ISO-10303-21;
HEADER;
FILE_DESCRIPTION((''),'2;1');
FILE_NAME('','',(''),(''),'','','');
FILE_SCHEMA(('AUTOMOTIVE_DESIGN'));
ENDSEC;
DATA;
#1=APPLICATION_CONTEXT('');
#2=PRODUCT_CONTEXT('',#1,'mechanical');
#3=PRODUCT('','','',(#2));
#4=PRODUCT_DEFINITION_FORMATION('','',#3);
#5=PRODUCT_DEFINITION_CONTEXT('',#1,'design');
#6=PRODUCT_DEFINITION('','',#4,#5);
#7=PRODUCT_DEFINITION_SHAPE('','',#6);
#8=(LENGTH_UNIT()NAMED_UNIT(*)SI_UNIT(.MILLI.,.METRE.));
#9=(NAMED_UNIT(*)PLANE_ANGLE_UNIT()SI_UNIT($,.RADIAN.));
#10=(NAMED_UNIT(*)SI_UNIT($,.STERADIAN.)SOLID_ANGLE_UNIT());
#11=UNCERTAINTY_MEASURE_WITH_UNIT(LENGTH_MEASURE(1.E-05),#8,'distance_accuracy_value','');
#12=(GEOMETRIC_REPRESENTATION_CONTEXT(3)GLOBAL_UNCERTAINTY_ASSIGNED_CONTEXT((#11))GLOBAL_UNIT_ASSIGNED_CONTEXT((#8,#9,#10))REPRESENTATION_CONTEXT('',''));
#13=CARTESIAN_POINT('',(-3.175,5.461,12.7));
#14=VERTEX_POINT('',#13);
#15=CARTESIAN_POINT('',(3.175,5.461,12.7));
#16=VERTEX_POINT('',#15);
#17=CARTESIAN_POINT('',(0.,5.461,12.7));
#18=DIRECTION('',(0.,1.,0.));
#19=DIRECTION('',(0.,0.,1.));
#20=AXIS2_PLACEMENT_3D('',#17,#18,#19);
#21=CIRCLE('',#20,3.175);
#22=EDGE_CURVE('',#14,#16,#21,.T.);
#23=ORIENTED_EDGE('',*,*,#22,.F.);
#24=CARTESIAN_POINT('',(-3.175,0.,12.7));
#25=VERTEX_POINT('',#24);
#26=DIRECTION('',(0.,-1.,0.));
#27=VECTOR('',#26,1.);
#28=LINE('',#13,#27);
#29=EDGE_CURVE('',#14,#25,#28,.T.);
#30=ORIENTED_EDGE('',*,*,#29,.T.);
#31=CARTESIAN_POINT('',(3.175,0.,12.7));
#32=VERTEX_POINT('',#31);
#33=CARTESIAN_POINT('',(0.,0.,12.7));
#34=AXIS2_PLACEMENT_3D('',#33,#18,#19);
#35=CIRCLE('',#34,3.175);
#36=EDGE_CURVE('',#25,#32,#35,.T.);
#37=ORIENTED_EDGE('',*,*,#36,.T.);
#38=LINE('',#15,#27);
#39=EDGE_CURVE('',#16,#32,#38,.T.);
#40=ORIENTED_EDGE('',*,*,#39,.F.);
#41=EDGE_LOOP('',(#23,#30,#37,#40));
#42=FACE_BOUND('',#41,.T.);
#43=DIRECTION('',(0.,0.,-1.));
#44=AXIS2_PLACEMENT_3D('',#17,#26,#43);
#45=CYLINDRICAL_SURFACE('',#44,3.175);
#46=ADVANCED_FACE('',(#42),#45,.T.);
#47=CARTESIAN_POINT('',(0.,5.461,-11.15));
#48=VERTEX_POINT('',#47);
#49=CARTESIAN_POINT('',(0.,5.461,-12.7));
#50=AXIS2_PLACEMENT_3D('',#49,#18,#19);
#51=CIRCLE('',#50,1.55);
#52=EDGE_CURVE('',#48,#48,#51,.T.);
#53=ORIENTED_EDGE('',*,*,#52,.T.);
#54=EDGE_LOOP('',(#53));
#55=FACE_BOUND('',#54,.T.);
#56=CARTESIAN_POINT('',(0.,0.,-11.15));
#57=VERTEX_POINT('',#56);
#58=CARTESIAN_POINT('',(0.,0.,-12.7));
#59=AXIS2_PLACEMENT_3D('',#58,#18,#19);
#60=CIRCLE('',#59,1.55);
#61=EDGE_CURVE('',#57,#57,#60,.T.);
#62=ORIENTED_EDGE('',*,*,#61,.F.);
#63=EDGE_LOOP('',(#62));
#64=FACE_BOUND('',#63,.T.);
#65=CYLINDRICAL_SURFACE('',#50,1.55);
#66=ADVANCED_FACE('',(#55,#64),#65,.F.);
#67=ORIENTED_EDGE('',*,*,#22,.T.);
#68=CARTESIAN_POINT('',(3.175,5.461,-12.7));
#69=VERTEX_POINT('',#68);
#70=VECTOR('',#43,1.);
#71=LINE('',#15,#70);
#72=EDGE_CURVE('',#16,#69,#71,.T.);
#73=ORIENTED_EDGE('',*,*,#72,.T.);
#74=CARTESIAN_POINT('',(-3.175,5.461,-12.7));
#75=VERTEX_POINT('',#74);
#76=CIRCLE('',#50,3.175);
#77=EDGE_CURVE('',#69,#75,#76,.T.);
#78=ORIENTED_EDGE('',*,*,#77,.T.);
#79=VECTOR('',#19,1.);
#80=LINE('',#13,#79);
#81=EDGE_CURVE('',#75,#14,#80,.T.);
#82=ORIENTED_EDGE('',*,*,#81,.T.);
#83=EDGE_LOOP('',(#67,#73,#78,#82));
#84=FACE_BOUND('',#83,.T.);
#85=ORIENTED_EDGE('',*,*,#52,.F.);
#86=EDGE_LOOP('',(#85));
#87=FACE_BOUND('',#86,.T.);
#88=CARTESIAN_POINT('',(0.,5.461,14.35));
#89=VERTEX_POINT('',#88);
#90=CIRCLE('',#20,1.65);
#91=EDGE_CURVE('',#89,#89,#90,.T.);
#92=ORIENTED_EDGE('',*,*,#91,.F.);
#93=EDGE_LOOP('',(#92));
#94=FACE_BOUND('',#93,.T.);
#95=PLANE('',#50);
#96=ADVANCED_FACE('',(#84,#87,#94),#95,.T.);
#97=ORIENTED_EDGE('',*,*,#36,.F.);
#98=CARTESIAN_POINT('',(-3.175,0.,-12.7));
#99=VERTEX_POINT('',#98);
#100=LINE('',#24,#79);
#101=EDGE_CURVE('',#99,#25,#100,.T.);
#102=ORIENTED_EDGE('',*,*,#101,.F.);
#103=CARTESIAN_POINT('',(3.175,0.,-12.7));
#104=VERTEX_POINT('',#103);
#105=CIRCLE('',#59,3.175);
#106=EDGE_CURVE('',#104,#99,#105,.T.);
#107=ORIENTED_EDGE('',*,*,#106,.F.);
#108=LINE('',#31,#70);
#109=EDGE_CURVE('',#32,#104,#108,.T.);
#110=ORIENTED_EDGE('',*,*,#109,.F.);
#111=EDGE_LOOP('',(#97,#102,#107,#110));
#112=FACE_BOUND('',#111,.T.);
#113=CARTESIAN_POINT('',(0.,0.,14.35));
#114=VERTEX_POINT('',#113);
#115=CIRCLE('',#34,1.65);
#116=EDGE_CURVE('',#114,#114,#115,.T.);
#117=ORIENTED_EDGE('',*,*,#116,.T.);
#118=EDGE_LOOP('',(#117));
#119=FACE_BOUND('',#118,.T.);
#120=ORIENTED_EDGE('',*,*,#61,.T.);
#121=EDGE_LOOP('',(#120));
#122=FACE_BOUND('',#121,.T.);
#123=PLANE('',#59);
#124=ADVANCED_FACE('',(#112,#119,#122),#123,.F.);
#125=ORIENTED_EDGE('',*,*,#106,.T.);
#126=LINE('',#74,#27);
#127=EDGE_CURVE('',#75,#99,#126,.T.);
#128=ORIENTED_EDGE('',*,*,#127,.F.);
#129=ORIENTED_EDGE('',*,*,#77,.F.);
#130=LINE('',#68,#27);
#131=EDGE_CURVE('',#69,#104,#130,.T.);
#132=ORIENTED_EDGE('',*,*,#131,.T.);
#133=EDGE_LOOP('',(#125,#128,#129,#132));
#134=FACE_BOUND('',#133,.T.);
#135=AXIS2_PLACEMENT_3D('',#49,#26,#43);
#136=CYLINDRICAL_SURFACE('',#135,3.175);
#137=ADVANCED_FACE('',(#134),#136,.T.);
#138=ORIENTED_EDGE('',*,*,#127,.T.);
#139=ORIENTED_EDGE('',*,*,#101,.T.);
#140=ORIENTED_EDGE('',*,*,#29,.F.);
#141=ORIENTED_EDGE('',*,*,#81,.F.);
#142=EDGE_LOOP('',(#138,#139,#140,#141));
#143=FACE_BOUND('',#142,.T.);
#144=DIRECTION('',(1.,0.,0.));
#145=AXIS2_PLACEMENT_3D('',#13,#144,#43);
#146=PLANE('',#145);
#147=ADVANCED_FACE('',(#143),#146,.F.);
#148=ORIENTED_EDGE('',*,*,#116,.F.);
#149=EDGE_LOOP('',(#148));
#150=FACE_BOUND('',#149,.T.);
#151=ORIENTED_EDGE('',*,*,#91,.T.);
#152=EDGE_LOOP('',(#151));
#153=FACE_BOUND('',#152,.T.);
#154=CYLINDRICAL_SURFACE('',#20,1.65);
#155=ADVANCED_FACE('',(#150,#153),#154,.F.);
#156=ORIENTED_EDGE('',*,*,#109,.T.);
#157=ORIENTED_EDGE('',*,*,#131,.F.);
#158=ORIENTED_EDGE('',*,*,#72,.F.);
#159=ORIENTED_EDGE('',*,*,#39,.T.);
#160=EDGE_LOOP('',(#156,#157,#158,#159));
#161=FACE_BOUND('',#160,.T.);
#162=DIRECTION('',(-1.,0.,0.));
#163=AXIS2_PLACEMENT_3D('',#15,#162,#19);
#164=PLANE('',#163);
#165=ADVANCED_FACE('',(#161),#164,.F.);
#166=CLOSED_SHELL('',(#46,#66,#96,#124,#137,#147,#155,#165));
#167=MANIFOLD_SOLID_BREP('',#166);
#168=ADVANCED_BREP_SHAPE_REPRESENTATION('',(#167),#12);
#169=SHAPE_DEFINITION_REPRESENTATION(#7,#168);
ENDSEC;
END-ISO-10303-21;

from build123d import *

# Parameters (mm, degrees)
BOSS_EXTRUDE1_DEPTH              = 5.461
M3_CLEARANCE_HOLE_CLEARANCE_D    = 3.3
M3_CLEARANCE_HOLE_INTERFERENCE_D = 3.1


with BuildPart() as part:
    # Sketch1 → Boss-Extrude1 (new body)
    with BuildSketch(Plane(origin=(0, 0, 0), x_dir=(1, 0, 0), z_dir=(0, 1, 0))):
        with BuildLine():
            Line((-3.175, -12.7), (-3.175, 12.7))
            ThreePointArc((-3.175, 12.7), (0, 15.875), (3.175, 12.7))
            Line((3.175, 12.7), (3.175, -12.7))
            ThreePointArc((3.175, -12.7), (0, -15.875), (-3.175, -12.7))
        make_face()
    extrude(amount=BOSS_EXTRUDE1_DEPTH)

    # M3 Clearance Hole clearance (through all)
    with Locations(Plane(origin=(0, 5.461, 0), x_dir=(1, 0, 0), z_dir=(0, 1, 0))):
        with Locations((0, -12.7)):
            Hole(M3_CLEARANCE_HOLE_CLEARANCE_D / 2)

    # M3 Clearance Hole interference (through all)
    with Locations(Plane(origin=(0, 5.461, 0), x_dir=(1, 0, 0), z_dir=(0, 1, 0))):
        with Locations((0, 12.7)):
            Hole(M3_CLEARANCE_HOLE_INTERFERENCE_D / 2)


solid = part.part
